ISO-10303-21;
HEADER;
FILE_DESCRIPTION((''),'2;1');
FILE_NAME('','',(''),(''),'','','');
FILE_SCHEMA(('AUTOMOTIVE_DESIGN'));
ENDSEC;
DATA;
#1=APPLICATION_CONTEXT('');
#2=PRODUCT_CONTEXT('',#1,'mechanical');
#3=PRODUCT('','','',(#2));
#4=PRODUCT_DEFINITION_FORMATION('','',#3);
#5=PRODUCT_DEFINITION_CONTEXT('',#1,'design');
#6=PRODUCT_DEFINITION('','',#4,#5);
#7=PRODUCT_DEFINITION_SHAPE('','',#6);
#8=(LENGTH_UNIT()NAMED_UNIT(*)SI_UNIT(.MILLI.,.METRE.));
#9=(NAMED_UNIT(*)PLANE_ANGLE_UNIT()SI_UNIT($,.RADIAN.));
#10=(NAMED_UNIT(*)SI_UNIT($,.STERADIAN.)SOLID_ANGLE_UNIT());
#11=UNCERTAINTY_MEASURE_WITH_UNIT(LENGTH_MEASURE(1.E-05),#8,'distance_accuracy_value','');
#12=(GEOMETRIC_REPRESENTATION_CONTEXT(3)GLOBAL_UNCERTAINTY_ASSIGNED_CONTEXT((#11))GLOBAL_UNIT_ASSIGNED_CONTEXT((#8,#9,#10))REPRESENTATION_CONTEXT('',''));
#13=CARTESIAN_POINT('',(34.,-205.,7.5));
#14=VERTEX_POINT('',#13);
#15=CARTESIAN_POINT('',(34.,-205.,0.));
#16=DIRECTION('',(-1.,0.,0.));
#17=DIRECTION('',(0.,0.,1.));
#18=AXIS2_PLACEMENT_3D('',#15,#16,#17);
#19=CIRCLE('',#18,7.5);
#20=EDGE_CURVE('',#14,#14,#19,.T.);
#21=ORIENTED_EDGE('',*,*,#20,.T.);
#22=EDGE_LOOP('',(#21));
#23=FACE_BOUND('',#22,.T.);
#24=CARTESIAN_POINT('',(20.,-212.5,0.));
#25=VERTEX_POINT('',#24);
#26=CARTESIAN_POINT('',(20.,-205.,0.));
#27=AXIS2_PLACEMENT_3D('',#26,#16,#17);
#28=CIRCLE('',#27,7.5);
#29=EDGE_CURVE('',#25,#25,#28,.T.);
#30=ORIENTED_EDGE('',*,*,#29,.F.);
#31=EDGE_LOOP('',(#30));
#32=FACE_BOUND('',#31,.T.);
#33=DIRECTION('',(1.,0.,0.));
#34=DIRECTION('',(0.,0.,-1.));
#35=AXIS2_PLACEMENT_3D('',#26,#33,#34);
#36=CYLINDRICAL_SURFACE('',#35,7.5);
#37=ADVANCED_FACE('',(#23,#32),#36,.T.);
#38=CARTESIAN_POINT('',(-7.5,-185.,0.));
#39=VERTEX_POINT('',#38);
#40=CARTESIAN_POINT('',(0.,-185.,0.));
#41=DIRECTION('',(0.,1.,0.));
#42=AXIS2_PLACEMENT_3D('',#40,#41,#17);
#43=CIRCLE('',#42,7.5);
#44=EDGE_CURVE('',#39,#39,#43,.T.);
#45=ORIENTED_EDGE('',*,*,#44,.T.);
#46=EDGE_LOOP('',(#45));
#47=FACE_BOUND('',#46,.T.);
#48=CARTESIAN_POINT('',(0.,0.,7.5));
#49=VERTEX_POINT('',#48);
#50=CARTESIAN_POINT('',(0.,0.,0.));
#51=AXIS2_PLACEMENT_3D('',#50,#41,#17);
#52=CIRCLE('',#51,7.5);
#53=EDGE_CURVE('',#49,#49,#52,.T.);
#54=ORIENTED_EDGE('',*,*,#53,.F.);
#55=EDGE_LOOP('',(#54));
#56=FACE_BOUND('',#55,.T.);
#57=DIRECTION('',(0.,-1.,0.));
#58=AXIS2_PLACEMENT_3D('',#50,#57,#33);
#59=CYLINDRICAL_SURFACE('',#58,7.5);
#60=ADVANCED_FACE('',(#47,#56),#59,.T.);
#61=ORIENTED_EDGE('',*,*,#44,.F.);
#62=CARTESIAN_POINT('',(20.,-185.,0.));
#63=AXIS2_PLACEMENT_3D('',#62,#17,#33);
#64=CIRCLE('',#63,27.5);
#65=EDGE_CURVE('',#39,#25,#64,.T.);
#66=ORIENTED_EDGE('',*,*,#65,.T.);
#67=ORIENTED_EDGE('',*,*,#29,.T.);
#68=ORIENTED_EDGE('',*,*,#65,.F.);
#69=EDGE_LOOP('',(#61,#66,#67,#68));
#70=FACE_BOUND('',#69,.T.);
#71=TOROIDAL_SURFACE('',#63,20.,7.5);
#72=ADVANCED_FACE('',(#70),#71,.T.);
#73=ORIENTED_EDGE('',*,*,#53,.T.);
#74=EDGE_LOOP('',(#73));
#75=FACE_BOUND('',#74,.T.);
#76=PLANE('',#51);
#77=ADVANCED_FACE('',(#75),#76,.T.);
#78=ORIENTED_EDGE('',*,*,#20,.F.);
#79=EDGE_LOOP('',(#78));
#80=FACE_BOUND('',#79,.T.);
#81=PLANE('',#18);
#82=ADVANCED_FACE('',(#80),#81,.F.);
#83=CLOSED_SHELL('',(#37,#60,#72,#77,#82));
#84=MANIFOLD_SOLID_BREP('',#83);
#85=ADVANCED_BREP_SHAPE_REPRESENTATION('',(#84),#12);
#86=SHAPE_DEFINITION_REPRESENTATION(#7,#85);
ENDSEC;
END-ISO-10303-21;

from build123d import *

# Parameters (mm, degrees)
SKETCH_2_R = 7.5


with BuildPart() as part:
    # 扫描1: sweep along a path in 草图1
    with BuildLine(Plane.XY) as sweep_1_path:
        Line((0, 0), (0, -185))
        ThreePointArc((0, -185), (5.857864376, -199.142135624), (20, -205))
        Line((20, -205), (34, -205))
    # 草图2 → 扫描1 (sweep)
    with BuildSketch(Plane(origin=(0, 0, 0), x_dir=(1, 0, 0), z_dir=(0, 1, 0))):
        Circle(SKETCH_2_R)
    sweep(path=sweep_1_path.line)


solid = part.part
